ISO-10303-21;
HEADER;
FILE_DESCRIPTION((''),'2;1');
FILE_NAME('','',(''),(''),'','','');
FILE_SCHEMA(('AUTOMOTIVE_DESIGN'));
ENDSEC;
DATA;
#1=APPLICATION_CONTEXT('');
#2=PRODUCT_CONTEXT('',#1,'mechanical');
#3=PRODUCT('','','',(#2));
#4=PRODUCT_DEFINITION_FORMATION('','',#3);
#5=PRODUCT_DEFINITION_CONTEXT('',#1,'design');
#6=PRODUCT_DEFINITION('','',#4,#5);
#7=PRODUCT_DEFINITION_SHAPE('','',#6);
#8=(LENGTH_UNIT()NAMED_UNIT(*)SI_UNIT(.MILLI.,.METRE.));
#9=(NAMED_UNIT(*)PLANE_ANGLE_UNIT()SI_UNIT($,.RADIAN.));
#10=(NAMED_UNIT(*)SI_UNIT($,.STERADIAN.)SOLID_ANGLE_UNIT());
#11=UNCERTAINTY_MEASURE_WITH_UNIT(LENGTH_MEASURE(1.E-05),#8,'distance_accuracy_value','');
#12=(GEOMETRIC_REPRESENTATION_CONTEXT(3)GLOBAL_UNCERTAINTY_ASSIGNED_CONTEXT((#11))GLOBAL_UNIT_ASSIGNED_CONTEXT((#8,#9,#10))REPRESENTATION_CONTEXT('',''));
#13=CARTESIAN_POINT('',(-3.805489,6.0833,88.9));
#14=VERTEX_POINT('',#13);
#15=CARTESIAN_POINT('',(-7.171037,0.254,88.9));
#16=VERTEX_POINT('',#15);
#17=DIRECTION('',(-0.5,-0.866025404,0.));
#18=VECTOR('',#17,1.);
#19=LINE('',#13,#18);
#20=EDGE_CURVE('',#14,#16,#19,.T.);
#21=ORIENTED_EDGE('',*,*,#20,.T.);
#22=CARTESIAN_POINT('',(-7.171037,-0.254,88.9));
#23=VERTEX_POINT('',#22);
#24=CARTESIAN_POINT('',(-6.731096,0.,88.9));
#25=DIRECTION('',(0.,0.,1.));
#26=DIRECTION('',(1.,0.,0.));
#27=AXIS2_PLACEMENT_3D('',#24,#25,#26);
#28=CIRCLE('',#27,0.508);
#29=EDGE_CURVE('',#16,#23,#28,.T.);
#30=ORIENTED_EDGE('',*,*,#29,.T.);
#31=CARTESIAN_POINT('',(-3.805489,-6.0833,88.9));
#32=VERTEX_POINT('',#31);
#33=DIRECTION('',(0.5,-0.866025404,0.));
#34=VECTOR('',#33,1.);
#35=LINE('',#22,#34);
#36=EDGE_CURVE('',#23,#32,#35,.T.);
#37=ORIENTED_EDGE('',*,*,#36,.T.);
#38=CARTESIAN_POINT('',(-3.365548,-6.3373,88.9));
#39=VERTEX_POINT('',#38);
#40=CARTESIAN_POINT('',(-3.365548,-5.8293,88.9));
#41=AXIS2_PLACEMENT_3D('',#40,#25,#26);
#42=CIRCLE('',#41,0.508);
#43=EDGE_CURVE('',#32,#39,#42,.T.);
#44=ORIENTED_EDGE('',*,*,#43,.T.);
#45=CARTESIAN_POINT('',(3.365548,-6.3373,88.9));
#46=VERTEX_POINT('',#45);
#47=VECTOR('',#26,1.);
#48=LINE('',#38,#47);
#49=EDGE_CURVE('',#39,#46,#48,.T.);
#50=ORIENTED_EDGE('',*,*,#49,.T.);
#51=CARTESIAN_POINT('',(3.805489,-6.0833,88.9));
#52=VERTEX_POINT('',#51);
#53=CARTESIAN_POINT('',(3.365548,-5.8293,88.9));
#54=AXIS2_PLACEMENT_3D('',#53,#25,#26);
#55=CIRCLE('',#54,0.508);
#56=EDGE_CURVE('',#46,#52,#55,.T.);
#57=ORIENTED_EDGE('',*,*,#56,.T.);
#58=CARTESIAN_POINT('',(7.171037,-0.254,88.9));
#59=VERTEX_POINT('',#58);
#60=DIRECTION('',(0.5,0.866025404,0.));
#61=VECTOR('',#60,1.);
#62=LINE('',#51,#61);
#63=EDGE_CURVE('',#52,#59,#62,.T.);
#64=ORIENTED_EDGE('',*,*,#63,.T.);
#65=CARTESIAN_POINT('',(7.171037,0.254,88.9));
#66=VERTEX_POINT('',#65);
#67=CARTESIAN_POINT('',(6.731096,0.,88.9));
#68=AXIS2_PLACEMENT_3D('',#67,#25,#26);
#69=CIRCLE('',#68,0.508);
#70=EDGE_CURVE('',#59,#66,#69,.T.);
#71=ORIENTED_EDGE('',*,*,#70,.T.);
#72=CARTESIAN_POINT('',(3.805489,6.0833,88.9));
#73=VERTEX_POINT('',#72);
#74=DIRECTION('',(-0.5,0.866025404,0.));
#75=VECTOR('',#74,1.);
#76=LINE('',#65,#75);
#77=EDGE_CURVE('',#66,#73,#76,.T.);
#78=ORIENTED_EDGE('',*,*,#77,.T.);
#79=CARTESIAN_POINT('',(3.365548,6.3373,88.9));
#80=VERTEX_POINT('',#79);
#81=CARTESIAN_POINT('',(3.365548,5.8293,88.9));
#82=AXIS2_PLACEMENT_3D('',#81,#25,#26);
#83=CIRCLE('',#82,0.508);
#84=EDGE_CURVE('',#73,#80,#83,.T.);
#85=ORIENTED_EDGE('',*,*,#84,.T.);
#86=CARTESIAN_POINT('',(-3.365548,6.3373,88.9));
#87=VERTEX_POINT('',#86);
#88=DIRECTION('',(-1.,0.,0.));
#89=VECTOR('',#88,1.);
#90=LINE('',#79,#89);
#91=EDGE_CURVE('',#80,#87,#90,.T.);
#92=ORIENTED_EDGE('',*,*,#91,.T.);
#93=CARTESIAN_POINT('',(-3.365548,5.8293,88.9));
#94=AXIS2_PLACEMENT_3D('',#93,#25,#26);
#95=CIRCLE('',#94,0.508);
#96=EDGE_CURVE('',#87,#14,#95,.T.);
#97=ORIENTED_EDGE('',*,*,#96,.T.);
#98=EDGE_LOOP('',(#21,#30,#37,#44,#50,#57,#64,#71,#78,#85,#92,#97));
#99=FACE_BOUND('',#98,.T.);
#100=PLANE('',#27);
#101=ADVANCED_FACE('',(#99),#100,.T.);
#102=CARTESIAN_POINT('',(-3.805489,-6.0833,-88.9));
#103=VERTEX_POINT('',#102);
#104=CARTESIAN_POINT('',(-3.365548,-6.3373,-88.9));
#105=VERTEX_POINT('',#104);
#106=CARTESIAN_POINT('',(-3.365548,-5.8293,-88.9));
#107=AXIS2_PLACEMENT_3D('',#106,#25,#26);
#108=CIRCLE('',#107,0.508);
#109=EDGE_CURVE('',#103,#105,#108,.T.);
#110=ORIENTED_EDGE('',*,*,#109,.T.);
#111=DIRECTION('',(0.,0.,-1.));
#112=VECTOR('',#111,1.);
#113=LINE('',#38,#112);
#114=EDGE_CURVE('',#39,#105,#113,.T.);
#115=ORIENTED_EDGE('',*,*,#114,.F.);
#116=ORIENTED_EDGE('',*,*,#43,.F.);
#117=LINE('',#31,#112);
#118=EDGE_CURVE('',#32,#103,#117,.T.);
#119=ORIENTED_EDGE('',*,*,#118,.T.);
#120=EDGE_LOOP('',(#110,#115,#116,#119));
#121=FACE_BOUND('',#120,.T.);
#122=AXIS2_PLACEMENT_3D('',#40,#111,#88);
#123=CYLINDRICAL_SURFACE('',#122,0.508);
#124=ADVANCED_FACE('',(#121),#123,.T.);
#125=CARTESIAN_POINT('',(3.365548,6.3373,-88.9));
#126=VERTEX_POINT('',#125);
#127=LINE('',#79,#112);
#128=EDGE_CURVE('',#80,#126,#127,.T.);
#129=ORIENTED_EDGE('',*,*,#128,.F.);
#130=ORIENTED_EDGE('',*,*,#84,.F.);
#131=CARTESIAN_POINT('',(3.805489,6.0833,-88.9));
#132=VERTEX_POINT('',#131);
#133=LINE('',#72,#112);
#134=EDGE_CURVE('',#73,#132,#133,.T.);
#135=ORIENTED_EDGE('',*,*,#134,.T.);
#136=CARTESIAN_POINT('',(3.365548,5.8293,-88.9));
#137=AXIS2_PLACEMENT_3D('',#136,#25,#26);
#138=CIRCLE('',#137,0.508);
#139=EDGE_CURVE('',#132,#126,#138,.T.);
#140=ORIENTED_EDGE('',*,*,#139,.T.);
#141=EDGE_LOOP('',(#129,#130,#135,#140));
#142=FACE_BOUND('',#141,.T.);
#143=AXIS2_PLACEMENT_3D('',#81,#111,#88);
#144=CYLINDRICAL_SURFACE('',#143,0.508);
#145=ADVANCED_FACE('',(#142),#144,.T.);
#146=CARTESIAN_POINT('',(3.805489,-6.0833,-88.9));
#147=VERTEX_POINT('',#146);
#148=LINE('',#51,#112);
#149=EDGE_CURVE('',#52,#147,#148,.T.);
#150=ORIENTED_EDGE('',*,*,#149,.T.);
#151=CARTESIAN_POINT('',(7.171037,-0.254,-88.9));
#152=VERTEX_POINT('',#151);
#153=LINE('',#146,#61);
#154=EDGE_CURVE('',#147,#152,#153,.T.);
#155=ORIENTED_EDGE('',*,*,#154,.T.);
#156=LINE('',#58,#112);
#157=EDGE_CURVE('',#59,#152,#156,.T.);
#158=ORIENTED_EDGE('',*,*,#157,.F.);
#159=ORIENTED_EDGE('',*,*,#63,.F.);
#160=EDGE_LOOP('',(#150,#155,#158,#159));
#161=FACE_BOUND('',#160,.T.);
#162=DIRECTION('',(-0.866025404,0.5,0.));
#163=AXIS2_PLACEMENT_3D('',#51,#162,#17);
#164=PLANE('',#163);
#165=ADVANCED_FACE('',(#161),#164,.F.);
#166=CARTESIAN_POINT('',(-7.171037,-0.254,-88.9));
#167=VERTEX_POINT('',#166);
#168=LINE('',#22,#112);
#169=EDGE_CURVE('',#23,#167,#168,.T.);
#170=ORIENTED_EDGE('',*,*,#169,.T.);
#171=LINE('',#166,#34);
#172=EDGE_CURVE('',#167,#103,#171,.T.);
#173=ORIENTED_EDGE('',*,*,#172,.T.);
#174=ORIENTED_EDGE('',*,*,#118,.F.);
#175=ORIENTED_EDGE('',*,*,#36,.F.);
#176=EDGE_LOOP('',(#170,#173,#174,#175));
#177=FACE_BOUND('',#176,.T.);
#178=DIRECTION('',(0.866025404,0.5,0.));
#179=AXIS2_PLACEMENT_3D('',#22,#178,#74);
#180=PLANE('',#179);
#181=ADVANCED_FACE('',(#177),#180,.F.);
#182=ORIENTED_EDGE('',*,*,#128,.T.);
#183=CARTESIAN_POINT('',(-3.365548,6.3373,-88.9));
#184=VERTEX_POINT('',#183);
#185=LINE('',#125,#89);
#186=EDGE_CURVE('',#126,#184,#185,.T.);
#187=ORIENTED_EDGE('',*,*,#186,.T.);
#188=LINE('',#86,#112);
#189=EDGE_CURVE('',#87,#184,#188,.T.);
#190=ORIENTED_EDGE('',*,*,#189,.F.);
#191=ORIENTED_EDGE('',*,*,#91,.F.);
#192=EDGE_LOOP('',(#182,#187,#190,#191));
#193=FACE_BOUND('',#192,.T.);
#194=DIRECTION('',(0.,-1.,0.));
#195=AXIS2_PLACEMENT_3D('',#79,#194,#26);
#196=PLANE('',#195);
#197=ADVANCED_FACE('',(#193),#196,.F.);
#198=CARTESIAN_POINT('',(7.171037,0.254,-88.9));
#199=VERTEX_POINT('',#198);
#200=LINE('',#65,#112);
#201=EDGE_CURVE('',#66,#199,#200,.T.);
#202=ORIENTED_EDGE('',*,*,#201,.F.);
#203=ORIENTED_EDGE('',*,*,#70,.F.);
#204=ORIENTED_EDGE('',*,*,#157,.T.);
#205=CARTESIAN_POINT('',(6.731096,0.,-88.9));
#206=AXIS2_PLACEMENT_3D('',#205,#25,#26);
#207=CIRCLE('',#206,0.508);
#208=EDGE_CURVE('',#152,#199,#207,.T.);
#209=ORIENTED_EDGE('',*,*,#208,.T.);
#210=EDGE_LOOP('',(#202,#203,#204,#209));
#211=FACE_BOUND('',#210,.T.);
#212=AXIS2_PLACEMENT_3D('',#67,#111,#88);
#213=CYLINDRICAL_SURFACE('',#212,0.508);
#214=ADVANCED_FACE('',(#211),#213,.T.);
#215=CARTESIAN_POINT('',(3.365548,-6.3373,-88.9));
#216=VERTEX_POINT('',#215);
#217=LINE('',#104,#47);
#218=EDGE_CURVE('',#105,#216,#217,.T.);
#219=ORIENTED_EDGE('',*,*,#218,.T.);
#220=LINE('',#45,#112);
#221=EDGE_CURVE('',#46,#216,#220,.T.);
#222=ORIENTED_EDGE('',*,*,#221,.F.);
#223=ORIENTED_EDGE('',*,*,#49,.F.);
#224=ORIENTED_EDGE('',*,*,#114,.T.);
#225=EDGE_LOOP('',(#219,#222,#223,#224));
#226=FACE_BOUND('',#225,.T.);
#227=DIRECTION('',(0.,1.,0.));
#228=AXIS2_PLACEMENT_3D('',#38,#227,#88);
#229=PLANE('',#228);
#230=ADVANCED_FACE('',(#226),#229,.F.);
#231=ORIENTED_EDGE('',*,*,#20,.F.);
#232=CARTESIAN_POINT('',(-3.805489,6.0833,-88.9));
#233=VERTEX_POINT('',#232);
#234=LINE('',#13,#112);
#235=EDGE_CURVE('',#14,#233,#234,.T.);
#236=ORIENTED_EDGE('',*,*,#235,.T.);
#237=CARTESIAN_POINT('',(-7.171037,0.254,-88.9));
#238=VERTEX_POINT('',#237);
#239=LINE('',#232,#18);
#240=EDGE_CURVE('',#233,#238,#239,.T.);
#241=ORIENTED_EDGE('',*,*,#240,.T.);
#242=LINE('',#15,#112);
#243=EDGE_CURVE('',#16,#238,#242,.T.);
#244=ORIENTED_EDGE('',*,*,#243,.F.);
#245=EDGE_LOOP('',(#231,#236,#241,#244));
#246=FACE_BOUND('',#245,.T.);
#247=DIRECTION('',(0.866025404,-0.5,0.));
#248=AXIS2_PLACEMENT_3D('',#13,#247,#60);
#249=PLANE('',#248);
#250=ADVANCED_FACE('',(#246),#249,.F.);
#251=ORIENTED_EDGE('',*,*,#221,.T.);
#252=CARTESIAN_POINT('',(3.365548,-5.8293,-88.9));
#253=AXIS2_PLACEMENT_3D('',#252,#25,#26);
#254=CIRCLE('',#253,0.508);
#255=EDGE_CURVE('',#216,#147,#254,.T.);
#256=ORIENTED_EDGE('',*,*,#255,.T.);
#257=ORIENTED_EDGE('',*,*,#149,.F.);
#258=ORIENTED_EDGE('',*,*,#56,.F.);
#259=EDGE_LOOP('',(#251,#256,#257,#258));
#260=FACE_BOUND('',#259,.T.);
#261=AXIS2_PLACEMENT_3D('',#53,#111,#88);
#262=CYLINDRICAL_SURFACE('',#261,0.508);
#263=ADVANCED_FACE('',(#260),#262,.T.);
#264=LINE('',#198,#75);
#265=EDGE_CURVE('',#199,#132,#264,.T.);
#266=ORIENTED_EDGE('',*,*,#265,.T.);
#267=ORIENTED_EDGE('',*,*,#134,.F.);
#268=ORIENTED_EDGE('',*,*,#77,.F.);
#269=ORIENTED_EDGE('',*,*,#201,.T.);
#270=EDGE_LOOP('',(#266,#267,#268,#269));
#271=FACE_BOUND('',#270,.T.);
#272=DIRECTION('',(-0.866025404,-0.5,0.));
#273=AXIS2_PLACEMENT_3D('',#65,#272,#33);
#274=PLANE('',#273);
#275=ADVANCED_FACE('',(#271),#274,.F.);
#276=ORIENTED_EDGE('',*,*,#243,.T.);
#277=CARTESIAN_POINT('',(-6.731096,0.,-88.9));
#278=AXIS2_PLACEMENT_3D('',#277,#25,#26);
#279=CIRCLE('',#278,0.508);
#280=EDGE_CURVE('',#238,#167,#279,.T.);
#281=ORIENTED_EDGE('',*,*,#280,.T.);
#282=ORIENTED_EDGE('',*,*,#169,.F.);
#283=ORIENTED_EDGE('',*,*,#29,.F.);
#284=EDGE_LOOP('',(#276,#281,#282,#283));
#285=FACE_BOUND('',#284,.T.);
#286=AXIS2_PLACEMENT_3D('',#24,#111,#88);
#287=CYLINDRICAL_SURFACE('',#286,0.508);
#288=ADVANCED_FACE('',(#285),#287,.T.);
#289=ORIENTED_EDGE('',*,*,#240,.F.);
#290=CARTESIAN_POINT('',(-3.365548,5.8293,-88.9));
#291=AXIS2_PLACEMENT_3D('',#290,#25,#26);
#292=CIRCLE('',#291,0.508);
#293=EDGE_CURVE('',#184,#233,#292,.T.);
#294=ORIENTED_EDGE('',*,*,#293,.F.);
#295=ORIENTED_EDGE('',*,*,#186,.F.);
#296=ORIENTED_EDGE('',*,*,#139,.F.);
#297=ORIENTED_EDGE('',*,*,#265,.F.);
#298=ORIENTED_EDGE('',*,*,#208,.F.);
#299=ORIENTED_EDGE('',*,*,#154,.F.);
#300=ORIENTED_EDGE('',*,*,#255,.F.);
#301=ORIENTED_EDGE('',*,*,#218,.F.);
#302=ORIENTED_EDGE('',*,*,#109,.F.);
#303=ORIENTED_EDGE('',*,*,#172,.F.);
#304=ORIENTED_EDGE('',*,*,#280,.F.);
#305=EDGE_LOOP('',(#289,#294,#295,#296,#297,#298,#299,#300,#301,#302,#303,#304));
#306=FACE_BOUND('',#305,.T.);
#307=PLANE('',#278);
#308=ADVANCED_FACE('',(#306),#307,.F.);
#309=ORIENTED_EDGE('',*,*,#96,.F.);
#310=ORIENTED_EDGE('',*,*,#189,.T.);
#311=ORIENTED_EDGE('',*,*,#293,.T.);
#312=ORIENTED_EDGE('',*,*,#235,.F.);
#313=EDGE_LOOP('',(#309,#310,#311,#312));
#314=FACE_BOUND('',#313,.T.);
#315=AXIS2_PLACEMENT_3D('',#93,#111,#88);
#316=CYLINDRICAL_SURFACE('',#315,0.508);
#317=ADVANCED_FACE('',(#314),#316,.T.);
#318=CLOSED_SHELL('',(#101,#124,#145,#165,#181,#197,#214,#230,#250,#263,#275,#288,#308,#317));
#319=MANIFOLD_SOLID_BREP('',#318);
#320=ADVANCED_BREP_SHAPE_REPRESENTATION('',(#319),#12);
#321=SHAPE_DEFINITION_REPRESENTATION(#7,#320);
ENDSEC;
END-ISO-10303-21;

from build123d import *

# Parameters (mm, degrees)
BOSS_EXTRUDE1_DEPTH = 88.9


with BuildPart() as part:
    # Sketch1 → Boss-Extrude1 (new, symmetric)
    with BuildSketch(Plane.XY):
        with BuildLine():
            Line((-7.171036753, -0.254), (-3.805488829, -6.0833))
            ThreePointArc((-3.805488829, -6.0833), (-3.619547924, -6.269240905), (-3.365547924, -6.3373))
            Line((-3.365547924, -6.3373), (3.365547924, -6.3373))
            ThreePointArc((3.365547924, -6.3373), (3.619547924, -6.269240905), (3.805488829, -6.0833))
            Line((3.805488829, -6.0833), (7.171036753, -0.254))
            ThreePointArc((7.171036753, -0.254), (7.239095848, 0), (7.171036753, 0.254))
            Line((7.171036753, 0.254), (3.805488829, 6.0833))
            ThreePointArc((3.805488829, 6.0833), (3.619547924, 6.269240905), (3.365547924, 6.3373))
            Line((3.365547924, 6.3373), (-3.365547924, 6.3373))
            ThreePointArc((-3.365547924, 6.3373), (-3.619547924, 6.269240905), (-3.805488829, 6.0833))
            Line((-3.805488829, 6.0833), (-7.171036753, 0.254))
            ThreePointArc((-7.171036753, 0.254), (-7.239095848, 0), (-7.171036753, -0.254))
        make_face()
    extrude(amount=BOSS_EXTRUDE1_DEPTH, both=True)


solid = part.part
